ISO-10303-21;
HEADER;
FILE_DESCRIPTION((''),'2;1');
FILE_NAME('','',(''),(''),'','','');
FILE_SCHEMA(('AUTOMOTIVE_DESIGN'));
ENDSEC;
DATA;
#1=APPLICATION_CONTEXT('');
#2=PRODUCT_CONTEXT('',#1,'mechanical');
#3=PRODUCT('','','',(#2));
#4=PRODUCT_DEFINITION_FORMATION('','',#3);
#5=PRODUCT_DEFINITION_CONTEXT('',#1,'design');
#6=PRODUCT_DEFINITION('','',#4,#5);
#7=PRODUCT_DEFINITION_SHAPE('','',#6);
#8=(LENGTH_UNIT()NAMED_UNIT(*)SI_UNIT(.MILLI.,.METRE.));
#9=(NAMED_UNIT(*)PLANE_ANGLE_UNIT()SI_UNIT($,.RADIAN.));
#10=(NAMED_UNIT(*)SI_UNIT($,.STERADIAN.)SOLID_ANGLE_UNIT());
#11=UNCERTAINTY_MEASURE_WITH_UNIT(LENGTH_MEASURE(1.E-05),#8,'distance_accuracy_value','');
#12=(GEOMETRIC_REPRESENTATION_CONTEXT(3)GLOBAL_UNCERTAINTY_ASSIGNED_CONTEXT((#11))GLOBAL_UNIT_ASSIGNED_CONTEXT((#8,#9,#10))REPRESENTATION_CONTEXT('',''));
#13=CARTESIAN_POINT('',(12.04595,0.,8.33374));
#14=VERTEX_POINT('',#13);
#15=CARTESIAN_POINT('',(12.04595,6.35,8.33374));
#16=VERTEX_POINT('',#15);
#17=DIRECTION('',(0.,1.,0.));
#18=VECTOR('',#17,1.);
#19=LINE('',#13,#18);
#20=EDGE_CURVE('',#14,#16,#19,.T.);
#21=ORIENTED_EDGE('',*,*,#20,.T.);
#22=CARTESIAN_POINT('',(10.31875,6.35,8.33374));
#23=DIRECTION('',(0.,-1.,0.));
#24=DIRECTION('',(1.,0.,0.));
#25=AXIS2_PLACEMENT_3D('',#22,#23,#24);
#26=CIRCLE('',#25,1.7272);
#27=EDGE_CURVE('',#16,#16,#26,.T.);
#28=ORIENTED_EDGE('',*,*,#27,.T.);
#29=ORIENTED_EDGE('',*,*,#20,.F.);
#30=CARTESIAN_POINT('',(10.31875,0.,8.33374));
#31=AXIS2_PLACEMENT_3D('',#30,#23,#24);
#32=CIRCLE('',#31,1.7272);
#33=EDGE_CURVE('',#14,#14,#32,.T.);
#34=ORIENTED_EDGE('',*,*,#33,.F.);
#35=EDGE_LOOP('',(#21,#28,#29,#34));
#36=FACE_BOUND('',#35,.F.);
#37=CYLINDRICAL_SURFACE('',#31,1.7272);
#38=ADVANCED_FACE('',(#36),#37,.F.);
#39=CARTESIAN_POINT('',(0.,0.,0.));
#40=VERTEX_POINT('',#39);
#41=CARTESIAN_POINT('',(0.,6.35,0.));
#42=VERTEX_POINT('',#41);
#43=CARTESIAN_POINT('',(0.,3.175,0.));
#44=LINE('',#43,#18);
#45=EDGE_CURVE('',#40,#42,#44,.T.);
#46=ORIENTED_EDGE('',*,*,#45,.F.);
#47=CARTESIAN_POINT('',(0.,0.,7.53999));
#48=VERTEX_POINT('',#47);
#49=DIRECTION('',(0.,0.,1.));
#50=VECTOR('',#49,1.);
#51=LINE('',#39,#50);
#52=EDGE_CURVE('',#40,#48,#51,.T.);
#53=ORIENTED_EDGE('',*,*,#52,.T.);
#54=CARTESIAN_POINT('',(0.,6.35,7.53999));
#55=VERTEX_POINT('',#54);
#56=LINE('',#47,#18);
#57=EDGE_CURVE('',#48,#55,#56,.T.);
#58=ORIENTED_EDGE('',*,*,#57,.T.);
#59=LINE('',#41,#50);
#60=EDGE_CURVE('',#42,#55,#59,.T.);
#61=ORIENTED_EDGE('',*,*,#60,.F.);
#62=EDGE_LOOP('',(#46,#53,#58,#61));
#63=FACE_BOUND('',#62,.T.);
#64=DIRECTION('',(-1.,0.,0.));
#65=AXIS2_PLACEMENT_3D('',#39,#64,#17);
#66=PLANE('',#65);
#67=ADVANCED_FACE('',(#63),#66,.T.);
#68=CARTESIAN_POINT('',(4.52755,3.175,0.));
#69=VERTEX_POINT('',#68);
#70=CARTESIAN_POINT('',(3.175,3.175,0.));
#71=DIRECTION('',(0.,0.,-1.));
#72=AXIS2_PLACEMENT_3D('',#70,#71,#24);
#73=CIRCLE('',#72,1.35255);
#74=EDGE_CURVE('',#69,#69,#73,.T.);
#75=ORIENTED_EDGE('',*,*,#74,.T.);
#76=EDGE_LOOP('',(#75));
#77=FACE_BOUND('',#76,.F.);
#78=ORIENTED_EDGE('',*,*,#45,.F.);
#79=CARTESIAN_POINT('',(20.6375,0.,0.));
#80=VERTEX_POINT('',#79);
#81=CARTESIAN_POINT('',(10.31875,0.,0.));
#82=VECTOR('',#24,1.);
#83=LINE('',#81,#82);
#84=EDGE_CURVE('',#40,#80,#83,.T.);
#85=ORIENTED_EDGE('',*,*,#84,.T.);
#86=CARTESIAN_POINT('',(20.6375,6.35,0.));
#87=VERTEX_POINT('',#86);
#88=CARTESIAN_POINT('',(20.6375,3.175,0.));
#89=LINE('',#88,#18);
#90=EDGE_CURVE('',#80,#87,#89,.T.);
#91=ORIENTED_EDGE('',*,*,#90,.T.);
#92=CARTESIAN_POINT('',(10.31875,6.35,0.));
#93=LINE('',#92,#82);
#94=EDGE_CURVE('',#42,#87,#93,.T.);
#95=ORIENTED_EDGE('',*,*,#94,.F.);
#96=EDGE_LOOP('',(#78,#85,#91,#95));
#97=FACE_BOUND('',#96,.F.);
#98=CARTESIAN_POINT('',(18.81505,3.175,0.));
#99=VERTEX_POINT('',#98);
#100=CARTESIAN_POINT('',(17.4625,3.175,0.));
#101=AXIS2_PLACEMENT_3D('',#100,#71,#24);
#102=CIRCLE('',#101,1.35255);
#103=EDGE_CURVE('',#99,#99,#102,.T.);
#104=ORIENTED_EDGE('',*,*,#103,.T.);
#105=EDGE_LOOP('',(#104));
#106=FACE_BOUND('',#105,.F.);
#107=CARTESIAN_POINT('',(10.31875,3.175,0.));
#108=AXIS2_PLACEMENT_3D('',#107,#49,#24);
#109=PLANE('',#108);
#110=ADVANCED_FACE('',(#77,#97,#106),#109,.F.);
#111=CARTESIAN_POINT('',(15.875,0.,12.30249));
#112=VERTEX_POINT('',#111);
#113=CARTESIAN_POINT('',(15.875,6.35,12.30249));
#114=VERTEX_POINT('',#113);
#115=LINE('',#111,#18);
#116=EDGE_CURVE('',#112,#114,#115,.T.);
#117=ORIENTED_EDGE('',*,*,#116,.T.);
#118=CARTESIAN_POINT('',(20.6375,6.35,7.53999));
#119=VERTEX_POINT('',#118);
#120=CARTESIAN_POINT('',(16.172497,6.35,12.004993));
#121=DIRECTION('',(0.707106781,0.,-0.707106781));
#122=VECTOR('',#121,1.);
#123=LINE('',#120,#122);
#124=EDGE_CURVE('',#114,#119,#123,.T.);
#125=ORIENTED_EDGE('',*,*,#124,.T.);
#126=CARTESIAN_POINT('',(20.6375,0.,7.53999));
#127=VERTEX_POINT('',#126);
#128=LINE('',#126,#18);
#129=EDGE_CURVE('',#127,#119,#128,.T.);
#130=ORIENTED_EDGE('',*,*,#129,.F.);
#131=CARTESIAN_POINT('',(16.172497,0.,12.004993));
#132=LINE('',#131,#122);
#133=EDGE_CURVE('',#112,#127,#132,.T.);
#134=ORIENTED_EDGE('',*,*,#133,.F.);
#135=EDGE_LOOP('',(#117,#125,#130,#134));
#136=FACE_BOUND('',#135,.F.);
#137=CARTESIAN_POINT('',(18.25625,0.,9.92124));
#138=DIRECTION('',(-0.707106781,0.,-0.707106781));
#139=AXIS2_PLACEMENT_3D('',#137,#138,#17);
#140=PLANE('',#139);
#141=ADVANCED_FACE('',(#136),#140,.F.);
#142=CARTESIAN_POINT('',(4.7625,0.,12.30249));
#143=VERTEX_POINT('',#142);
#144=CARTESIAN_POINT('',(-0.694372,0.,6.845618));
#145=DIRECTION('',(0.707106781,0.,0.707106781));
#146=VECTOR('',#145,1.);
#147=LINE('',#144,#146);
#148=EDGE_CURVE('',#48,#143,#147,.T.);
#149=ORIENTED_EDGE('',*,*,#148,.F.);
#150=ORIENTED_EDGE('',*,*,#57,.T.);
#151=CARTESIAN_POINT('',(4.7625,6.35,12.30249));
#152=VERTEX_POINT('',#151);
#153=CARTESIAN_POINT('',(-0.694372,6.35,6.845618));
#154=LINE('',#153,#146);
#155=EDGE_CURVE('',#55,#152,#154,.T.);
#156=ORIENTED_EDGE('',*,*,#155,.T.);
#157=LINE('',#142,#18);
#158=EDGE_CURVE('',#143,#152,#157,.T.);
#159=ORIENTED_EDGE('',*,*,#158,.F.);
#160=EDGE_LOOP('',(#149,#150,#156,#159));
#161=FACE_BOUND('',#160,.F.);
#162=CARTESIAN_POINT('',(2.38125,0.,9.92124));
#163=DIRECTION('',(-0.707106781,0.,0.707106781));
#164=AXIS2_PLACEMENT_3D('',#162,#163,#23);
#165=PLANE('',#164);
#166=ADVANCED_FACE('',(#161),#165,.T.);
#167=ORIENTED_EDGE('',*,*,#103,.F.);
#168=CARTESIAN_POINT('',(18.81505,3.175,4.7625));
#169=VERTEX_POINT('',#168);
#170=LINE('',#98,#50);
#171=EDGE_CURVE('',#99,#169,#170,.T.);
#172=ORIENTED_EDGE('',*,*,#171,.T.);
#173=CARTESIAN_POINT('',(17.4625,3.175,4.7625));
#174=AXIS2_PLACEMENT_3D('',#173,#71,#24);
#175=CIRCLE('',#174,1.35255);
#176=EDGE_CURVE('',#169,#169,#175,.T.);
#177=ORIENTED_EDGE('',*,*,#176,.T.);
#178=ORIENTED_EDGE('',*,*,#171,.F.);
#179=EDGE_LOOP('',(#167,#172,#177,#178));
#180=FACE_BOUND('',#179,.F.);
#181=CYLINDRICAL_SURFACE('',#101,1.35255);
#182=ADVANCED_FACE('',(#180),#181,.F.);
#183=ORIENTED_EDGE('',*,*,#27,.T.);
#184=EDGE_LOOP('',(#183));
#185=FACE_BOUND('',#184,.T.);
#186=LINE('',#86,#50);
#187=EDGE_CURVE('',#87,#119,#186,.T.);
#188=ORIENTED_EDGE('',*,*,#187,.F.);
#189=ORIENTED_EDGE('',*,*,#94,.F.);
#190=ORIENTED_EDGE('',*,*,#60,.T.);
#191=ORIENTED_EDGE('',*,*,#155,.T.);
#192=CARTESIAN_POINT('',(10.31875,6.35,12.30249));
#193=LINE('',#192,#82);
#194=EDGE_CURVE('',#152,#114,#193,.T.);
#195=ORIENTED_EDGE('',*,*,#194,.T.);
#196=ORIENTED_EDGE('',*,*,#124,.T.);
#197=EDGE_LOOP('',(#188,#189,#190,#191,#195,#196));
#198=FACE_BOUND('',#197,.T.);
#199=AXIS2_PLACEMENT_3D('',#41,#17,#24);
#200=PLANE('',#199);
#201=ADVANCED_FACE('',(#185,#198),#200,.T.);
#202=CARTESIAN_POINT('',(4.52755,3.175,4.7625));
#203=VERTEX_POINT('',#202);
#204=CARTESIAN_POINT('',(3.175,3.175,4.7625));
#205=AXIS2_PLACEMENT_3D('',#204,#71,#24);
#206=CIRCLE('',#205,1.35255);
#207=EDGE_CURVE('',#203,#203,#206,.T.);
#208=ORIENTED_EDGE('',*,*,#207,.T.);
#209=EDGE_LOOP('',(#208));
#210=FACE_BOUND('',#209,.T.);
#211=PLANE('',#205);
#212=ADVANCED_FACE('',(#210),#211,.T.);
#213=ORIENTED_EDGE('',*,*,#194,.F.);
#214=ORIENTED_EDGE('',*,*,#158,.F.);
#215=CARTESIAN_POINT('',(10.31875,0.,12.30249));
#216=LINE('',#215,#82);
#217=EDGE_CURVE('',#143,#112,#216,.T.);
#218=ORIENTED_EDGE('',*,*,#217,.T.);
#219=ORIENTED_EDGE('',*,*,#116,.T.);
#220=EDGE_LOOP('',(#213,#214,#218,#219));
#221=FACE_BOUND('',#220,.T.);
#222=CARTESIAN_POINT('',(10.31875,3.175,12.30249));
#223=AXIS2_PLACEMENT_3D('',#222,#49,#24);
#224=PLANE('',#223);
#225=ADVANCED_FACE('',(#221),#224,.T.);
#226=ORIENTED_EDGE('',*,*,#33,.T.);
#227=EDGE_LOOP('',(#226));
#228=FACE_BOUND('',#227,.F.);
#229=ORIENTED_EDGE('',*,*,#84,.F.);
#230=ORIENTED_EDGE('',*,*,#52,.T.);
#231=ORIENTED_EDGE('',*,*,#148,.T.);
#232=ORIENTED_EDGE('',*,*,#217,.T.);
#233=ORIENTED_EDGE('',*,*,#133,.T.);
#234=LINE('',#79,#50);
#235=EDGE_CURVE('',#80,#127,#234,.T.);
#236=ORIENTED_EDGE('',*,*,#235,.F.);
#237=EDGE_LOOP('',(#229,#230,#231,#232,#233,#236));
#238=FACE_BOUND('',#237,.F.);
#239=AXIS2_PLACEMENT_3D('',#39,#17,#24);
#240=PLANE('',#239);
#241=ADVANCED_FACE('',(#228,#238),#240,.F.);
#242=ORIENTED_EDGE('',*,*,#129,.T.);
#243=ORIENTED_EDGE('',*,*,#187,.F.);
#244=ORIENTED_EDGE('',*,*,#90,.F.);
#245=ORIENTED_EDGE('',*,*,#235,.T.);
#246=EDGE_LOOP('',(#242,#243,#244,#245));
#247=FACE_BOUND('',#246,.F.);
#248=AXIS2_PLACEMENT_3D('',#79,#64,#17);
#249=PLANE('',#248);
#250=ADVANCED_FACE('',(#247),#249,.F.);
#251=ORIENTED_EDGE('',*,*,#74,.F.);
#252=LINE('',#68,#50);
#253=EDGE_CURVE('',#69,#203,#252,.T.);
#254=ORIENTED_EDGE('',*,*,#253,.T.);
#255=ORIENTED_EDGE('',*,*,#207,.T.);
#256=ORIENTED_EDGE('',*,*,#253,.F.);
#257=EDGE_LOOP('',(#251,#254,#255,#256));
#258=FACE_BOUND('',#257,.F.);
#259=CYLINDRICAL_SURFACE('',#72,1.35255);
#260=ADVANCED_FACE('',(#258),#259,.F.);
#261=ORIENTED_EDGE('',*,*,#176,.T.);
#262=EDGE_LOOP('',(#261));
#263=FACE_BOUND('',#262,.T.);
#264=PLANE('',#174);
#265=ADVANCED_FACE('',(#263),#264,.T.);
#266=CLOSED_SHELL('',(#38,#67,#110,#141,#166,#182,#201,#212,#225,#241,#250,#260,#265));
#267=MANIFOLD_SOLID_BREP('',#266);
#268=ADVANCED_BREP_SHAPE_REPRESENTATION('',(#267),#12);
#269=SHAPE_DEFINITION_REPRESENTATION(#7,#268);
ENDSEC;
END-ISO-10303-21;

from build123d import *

# Parameters (mm, degrees)
F0_W     = 20.6375
F0_H     = 6.35
F1_DEPTH = 12.30249
F2_R     = 1.7272
F3_DEPTH = 6.35
F4_R     = 1.35255
F5_DEPTH = 4.7625
F6_SIZE  = 4.7625


with BuildPart() as f1:
    # F0 (on Top) → F1 (new body)
    with BuildSketch(Plane.XY):
        with Locations((10.31875, 3.175)):
            Rectangle(F0_W, F0_H)
    extrude(amount=F1_DEPTH)

    # F2 (on face) → F3 (cut, through all)
    with BuildSketch(Plane.XZ):
        with Locations((10.31875, 8.33374)):
            Circle(F2_R)
    extrude(amount=-F3_DEPTH, mode=Mode.SUBTRACT)

    # F4 (on face) → F5 (cut)
    with BuildSketch(Plane(origin=(0, 0, 0), x_dir=(1, 0, 0), z_dir=(0, 0, -1))):
        with Locations((3.175, -3.175)):
            Circle(F4_R)
        with Locations((17.4625, -3.175)):
            Circle(F4_R)
    extrude(amount=-F5_DEPTH, mode=Mode.SUBTRACT)

    # F6
    f6_edges = [f1.edges().sort_by_distance(p)[0] for p in [
        (0, 3.175, 12.30249),
        (20.6375, 3.175, 12.30249),
    ]]
    chamfer(f6_edges, length=F6_SIZE)


solid = f1.part
